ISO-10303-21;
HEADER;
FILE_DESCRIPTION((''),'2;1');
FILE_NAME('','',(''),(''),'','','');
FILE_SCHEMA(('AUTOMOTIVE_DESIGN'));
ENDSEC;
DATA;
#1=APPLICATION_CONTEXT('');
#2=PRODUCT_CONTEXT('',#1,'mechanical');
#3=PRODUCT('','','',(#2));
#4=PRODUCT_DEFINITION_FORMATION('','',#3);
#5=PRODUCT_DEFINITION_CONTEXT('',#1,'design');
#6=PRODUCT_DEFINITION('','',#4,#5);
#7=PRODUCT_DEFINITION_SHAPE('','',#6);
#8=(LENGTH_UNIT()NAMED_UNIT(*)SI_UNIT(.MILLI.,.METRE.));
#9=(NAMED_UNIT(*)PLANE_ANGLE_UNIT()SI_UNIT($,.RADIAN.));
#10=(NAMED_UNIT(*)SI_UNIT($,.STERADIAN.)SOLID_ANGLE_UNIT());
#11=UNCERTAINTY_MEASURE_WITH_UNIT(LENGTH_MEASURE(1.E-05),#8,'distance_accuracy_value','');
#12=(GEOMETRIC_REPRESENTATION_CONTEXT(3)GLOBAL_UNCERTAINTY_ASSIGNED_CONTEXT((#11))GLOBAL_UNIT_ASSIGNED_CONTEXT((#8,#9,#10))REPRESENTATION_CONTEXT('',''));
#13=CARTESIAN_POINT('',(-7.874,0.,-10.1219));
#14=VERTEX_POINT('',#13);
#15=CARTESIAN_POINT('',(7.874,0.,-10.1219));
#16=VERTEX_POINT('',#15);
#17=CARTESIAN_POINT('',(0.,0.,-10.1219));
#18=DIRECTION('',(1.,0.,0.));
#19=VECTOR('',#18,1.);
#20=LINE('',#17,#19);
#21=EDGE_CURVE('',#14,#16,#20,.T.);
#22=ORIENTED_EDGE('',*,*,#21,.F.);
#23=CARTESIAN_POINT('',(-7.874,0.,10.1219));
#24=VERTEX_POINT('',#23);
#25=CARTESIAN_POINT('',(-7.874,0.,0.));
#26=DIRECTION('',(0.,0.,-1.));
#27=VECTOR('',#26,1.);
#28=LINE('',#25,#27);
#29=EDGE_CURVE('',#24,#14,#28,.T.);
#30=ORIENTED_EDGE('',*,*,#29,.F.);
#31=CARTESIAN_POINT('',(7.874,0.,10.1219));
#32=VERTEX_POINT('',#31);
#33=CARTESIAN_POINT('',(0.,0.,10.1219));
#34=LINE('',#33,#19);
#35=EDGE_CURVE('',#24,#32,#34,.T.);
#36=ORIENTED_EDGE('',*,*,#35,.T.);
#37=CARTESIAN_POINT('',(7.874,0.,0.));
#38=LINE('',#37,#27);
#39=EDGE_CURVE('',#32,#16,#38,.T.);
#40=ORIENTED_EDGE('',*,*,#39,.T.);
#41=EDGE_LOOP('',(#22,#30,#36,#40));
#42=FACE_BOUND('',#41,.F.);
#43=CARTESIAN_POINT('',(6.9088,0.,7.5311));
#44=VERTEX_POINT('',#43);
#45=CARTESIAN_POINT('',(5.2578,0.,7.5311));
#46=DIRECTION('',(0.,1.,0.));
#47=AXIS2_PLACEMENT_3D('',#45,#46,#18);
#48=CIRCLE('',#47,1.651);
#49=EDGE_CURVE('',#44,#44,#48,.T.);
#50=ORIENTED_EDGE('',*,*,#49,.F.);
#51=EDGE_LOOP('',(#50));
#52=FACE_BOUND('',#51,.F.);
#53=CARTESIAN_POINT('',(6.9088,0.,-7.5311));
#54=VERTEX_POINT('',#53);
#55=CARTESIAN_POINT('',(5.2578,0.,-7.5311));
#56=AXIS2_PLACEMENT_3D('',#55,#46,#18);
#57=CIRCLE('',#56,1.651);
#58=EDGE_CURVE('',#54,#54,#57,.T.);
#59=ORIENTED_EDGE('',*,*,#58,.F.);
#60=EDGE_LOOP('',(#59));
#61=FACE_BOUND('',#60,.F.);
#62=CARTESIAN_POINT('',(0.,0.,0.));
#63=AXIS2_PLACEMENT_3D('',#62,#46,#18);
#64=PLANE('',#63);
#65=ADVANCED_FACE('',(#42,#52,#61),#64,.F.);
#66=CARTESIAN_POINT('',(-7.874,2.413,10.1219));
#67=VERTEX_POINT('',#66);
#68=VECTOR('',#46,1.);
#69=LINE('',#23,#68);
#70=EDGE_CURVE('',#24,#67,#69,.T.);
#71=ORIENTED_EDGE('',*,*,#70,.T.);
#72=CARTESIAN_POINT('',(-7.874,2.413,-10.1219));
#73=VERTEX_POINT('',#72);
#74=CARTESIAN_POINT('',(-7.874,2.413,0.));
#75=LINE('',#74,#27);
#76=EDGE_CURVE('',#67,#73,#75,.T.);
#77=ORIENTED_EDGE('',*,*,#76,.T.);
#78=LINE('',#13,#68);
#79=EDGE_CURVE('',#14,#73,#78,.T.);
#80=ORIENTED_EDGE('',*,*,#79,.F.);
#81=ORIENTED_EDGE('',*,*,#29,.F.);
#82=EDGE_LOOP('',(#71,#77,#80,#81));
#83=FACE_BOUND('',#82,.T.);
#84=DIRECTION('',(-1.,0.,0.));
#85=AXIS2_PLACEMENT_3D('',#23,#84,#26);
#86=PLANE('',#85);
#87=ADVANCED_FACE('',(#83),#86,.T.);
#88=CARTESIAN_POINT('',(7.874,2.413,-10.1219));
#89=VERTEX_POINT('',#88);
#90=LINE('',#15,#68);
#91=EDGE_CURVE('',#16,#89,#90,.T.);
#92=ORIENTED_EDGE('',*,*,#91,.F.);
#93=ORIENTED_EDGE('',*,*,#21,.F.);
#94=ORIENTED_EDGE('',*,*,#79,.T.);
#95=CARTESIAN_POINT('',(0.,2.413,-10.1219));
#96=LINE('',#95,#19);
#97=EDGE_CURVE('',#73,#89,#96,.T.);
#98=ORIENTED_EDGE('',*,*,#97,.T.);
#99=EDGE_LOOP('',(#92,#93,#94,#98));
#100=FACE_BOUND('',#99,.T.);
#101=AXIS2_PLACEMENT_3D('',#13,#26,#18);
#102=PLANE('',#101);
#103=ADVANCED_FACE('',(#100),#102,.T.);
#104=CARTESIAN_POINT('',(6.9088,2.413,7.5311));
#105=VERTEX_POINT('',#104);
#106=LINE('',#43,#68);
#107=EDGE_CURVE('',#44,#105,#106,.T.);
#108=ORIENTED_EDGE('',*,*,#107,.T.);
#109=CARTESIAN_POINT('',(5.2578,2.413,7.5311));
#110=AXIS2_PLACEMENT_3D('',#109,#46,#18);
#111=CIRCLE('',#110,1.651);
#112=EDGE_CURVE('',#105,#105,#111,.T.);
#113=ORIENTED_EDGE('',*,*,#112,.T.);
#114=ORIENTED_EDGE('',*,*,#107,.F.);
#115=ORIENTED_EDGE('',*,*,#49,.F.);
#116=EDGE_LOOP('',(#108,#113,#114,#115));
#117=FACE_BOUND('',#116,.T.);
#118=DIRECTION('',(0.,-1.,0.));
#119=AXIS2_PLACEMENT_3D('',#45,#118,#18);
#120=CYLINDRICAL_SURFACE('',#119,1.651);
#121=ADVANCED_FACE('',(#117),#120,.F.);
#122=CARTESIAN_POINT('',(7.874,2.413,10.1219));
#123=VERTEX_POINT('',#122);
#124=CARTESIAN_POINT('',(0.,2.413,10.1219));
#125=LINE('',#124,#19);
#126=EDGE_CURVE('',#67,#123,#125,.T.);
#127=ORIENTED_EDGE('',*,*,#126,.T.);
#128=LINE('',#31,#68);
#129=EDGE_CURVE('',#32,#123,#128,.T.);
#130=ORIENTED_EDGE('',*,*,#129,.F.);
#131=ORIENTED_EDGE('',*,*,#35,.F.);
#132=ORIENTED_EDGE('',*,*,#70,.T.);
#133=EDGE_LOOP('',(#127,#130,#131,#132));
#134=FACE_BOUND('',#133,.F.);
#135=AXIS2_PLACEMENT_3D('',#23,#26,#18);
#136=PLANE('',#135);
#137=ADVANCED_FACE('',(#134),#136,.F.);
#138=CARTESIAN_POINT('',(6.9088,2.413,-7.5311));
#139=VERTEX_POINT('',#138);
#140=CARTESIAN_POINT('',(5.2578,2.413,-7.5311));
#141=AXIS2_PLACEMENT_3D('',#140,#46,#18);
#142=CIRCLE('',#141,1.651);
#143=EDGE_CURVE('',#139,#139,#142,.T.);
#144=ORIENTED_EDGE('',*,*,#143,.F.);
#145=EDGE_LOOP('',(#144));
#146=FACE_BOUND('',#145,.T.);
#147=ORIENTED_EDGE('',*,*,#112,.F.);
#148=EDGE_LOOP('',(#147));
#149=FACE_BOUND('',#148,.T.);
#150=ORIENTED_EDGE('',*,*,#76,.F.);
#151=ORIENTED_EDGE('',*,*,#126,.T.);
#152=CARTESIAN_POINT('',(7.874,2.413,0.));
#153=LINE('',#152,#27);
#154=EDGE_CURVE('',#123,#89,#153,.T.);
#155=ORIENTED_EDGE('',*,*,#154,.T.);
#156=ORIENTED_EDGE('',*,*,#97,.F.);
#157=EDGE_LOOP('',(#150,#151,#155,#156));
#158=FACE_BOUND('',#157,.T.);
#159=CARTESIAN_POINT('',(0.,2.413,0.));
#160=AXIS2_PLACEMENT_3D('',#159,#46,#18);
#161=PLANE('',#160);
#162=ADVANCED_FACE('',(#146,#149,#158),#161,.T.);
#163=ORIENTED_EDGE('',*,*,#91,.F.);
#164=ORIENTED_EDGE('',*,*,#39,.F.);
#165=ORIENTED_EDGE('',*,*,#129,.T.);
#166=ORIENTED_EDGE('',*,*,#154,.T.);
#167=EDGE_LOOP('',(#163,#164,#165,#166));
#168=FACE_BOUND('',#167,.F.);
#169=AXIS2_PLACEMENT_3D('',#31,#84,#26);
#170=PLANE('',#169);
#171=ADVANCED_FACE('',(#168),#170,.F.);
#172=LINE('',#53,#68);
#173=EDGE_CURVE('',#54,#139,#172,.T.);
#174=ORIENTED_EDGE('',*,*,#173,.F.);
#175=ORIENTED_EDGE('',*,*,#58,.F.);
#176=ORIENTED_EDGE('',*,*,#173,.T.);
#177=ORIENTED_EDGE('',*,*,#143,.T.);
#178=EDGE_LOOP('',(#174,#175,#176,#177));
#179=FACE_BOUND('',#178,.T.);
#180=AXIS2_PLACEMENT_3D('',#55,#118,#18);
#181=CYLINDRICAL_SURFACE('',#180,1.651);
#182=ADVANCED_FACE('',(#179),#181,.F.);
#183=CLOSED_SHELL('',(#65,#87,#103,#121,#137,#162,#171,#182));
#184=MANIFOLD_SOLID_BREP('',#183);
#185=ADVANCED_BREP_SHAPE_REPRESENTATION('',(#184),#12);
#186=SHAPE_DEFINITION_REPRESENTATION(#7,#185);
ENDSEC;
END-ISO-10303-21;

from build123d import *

# Parameters (mm, degrees)
SKETCH1_W           = 15.748
SKETCH1_H           = 20.2438
SKETCH1_R           = 1.651
BOSS_EXTRUDE1_DEPTH = 2.413


with BuildPart() as part:
    # Sketch1 → Boss-Extrude1 (new body)
    with BuildSketch(Plane(origin=(0, 0, 0), x_dir=(1, 0, 0), z_dir=(0, 1, 0))):
        Rectangle(SKETCH1_W, SKETCH1_H)
        with Locations((5.2578, 7.5311)):
            Circle(SKETCH1_R, mode=Mode.SUBTRACT)
        with Locations((5.2578, -7.5311)):
            Circle(SKETCH1_R, mode=Mode.SUBTRACT)
    extrude(amount=BOSS_EXTRUDE1_DEPTH)


solid = part.part
